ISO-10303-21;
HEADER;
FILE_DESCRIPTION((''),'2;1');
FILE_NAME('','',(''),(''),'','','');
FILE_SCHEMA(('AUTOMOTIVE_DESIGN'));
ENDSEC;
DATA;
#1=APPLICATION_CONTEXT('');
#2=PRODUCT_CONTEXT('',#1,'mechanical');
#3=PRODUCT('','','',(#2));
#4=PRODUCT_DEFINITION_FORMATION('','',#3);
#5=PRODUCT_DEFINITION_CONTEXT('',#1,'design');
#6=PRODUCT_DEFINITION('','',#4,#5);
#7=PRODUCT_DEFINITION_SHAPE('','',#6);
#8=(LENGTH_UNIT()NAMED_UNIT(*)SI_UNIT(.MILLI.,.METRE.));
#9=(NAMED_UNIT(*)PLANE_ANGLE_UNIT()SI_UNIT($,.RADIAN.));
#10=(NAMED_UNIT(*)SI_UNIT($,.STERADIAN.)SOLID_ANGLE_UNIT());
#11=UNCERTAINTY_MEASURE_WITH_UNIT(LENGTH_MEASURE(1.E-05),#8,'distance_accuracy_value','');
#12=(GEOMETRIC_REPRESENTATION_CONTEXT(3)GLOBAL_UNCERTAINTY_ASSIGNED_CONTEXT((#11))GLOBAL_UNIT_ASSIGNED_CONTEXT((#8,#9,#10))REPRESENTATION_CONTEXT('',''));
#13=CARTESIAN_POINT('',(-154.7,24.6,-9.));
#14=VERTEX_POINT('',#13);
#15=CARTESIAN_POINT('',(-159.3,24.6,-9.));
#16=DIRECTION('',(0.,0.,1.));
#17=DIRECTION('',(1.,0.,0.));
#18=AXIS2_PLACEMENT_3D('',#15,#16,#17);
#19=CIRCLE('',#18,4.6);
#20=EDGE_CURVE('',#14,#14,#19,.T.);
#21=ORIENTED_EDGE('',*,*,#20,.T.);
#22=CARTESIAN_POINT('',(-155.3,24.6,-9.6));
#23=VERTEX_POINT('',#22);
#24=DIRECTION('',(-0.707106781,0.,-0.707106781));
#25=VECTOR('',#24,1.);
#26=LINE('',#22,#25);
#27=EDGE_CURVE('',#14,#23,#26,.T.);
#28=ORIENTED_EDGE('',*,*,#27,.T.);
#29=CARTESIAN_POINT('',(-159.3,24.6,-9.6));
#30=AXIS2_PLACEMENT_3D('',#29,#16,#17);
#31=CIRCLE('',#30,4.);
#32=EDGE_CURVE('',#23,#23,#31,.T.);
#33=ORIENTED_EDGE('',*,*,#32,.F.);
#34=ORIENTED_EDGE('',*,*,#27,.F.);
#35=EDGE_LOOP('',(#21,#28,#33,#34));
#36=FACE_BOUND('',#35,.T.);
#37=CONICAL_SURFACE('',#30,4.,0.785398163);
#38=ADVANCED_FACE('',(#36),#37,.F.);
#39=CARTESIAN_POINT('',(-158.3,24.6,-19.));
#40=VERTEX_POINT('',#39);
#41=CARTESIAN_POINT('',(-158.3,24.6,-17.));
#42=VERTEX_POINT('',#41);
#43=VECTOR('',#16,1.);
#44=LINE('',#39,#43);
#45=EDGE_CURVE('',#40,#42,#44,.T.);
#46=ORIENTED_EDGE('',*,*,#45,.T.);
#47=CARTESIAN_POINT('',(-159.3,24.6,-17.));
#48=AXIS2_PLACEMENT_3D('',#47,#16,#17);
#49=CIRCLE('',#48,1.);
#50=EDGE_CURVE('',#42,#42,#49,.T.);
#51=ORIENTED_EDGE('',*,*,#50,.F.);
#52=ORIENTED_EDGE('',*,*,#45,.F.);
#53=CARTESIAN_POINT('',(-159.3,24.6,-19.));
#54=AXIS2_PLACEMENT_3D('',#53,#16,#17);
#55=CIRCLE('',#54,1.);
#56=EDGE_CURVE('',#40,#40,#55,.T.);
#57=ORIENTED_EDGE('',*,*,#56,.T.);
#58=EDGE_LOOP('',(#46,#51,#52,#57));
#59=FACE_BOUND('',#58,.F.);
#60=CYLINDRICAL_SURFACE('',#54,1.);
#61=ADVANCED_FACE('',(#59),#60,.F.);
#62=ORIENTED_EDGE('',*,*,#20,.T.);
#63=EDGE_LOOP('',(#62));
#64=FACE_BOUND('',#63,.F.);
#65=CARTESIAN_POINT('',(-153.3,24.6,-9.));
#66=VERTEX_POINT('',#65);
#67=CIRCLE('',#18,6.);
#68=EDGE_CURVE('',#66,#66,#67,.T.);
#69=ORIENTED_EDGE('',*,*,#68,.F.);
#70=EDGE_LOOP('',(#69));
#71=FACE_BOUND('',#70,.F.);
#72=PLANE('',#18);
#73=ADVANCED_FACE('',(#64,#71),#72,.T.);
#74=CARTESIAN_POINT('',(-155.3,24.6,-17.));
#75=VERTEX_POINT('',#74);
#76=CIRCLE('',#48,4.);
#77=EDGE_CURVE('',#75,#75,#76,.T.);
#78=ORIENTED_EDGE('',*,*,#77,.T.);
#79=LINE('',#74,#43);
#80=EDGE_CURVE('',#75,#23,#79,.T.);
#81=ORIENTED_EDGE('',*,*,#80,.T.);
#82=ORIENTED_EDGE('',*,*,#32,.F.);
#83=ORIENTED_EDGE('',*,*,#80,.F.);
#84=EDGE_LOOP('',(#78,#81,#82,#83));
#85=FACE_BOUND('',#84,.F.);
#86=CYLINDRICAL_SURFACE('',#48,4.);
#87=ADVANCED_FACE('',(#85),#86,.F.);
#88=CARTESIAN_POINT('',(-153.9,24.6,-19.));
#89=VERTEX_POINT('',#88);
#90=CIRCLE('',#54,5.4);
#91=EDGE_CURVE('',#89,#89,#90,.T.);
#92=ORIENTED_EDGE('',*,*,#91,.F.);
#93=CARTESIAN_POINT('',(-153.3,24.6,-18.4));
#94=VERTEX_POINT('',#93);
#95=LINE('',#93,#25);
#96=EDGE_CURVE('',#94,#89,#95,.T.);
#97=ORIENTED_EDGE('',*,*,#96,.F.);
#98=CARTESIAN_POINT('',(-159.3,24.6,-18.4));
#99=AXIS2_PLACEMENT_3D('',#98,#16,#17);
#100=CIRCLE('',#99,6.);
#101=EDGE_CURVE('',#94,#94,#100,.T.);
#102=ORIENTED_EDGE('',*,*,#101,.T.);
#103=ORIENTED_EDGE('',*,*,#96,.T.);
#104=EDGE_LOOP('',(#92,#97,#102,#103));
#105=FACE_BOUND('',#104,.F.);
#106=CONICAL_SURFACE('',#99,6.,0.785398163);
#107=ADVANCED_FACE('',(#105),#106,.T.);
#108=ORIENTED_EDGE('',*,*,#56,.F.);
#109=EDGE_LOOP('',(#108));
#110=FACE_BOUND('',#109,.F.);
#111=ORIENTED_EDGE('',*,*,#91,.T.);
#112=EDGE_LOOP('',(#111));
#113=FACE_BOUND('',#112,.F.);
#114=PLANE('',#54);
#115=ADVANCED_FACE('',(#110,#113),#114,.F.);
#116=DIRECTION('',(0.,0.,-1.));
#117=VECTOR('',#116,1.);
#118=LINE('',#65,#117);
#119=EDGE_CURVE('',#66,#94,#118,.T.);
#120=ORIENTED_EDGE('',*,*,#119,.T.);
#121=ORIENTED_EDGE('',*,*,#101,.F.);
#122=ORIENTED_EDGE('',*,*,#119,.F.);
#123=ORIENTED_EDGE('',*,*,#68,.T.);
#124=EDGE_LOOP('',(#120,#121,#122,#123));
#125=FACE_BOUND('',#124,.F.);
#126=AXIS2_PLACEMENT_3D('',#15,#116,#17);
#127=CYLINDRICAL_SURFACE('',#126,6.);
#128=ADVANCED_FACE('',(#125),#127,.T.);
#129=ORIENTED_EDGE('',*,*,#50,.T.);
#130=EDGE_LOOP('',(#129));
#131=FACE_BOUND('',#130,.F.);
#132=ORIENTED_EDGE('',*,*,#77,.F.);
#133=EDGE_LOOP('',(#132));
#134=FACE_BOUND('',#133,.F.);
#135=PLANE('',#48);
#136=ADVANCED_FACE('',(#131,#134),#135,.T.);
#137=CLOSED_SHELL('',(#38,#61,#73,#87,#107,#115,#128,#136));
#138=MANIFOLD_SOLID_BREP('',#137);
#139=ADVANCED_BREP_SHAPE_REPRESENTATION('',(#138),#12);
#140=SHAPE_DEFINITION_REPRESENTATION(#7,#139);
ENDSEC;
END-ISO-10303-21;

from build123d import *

# Parameters (mm, degrees)
CHAMFER_SIZE    = 0.6
CHAMFER001_SIZE = 0.6


with BuildPart() as part:
    # Sketch010 → Revolution001 (revolve)
    with BuildSketch(Plane.XZ):
        Polygon((1, -8), (4, -8), (4, 0), (6, 0), (6, -10), (1, -10), align=None)
    revolve(axis=Axis((0, 0, 0), (0, 0, 1)))

    # Chamfer
    chamfer_edges = [part.edges().sort_by_distance(p)[0] for p in [
        (-6, 0, -10),
    ]]
    chamfer(chamfer_edges, length=CHAMFER_SIZE)

    # Chamfer001
    chamfer001_edges = [part.edges().sort_by_distance(p)[0] for p in [
        (-4, 0, 0),
    ]]
    chamfer(chamfer001_edges, length=CHAMFER001_SIZE)


with BuildPart() as part_1:
    # Body007 placement: moved
    add(part.part.moved(Location((-159.3, 24.6, -9))))


solid = part_1.part
